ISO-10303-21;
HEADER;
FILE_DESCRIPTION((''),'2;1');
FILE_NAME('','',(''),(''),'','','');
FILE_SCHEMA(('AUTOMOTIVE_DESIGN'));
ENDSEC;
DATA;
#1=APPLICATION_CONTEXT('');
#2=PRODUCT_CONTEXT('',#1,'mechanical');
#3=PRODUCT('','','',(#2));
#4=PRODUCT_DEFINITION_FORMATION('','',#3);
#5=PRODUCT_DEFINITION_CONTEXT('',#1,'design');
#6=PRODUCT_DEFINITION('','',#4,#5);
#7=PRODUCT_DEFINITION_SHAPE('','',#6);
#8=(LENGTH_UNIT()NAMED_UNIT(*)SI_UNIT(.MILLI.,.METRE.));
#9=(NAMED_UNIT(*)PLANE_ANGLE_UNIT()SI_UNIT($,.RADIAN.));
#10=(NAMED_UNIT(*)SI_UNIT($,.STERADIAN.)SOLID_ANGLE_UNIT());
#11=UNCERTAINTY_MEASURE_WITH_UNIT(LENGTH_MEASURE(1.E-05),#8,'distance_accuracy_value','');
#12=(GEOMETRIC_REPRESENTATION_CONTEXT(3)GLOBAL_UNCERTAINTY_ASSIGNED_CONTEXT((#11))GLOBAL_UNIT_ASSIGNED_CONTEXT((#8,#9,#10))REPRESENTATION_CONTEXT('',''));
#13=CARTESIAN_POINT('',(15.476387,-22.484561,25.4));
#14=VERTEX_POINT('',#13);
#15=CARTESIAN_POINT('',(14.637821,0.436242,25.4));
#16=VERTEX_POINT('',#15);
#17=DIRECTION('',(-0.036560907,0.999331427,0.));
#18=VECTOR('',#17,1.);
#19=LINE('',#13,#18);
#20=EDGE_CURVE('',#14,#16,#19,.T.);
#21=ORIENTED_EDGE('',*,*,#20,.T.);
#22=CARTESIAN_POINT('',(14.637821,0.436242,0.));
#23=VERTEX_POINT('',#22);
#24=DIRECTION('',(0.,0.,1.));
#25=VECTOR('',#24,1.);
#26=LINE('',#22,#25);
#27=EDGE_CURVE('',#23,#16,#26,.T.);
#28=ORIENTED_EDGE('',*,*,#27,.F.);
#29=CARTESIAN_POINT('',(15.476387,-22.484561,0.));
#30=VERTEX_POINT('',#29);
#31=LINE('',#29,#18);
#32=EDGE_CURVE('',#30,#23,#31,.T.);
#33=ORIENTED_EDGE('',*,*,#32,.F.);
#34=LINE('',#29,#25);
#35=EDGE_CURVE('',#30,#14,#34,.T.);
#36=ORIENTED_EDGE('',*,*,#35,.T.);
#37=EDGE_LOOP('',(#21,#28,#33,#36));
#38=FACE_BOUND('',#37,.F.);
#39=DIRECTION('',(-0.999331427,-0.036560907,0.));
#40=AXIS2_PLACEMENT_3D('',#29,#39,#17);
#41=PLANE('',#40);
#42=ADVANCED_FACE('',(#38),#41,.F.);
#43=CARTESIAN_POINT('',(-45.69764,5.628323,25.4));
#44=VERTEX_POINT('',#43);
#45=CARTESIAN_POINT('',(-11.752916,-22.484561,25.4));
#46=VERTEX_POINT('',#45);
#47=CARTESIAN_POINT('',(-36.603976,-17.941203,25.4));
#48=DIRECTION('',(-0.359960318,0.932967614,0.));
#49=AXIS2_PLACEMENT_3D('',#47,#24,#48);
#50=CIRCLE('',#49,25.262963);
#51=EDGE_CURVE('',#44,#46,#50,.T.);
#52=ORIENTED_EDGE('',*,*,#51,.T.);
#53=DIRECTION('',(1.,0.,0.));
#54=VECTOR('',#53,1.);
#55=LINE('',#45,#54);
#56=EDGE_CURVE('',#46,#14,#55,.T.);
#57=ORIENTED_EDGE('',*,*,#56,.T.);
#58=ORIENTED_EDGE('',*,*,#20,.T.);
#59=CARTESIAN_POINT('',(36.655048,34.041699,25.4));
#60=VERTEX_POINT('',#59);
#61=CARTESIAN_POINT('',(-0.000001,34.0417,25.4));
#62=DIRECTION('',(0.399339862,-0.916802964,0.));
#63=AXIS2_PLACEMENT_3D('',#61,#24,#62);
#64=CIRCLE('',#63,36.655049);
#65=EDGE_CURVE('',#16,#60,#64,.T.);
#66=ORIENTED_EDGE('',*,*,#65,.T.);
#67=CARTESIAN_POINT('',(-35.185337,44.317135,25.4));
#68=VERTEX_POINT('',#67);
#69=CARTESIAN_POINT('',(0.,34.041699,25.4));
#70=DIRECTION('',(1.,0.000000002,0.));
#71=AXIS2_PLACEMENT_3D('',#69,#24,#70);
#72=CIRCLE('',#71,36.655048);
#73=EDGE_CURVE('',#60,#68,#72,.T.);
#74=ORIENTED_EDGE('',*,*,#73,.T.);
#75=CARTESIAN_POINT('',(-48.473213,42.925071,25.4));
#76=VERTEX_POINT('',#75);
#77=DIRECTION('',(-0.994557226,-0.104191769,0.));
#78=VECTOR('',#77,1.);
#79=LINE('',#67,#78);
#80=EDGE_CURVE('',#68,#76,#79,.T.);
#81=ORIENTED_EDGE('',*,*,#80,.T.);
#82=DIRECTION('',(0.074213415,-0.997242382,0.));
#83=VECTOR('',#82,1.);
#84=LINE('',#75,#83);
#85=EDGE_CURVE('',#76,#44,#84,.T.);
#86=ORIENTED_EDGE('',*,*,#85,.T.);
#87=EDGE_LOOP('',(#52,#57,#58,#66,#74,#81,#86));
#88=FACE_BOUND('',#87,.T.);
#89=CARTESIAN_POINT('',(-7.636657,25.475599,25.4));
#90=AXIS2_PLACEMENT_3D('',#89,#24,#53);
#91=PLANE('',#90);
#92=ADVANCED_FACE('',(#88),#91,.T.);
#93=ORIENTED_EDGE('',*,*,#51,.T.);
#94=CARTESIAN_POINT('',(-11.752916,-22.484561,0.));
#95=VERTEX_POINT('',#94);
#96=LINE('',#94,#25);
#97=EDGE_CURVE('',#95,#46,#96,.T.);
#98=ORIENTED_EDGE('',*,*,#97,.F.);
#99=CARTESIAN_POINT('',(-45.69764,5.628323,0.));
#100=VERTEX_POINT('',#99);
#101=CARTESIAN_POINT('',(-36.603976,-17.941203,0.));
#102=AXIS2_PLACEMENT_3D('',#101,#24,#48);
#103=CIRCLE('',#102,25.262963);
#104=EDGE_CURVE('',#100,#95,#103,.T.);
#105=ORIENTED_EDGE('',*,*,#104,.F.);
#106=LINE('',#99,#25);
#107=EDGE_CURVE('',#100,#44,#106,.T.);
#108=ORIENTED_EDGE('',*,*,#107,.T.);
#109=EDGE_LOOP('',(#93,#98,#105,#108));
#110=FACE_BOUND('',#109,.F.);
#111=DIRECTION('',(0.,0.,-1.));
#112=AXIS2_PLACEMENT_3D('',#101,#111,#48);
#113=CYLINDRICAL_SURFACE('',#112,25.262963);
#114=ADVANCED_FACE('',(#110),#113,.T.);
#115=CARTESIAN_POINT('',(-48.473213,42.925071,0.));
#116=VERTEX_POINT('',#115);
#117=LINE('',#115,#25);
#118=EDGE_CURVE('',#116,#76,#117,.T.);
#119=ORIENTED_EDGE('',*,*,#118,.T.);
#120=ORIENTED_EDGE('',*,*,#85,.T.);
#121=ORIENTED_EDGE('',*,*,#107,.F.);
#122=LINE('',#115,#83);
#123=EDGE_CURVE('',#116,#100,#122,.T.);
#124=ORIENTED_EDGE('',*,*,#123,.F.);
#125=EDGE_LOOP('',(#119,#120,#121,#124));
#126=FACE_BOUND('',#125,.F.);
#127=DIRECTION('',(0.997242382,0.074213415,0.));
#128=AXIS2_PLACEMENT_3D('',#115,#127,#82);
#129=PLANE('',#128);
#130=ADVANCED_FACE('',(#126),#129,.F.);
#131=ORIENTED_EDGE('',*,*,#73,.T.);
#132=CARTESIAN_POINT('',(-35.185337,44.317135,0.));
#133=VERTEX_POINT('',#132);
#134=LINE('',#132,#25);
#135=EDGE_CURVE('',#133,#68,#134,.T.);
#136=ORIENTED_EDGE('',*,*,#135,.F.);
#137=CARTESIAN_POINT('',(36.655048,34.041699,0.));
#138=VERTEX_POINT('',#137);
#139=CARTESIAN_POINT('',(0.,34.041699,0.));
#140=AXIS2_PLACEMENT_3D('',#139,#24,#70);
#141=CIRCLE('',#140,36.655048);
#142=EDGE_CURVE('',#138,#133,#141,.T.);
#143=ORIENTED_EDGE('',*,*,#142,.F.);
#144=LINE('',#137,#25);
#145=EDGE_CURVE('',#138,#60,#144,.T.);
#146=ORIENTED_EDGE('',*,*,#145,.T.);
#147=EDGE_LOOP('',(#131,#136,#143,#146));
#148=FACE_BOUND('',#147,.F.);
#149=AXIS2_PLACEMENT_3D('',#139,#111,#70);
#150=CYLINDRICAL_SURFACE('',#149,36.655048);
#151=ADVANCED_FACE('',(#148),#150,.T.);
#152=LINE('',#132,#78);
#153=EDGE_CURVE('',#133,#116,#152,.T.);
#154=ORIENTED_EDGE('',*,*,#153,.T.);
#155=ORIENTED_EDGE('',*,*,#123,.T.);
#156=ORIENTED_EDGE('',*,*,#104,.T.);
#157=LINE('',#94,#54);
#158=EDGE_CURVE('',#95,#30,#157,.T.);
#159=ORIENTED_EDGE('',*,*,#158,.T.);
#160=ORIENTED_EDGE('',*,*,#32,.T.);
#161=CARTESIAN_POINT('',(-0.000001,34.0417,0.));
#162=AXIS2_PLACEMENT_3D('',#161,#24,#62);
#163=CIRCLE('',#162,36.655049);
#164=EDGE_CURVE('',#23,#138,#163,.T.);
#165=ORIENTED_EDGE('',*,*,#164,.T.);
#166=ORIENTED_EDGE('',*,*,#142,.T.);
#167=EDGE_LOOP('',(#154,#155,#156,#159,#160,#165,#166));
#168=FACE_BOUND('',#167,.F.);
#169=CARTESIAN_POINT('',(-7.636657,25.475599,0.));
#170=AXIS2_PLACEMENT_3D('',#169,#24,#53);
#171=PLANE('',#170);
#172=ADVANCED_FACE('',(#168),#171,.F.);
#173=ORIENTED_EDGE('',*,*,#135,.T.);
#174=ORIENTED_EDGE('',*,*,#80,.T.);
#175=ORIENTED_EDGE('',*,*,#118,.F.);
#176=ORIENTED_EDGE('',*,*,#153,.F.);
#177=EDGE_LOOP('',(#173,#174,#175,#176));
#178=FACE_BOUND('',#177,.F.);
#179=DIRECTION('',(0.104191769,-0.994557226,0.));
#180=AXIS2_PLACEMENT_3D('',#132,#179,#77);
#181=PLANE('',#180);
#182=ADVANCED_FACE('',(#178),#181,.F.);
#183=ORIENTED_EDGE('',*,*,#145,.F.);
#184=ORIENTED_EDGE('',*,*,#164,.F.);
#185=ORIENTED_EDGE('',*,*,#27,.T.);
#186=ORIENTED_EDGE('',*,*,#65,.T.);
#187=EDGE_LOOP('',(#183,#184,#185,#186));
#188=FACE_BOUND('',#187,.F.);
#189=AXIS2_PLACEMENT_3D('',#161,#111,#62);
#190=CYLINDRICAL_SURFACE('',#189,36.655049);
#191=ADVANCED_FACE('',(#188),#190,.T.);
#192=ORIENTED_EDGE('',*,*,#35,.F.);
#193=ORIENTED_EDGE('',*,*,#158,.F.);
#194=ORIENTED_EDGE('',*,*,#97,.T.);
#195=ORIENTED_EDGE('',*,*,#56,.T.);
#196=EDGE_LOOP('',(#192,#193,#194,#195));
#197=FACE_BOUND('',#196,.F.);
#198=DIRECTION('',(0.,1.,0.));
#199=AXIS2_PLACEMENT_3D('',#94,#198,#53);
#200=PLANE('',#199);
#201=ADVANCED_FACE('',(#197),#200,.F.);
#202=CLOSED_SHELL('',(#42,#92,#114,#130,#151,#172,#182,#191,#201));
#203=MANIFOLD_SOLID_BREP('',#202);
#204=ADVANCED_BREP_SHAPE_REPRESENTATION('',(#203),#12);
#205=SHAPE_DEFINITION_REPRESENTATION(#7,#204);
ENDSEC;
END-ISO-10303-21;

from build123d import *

# Parameters (mm, degrees)
F1_DEPTH = 25.4


with BuildPart() as f1:
    # F0 (on Top) → F1 (new body)
    with BuildSketch(Plane.XY):
        with BuildLine():
            Line((12.848321, 49.349234), (-35.185337, 44.317135))
            ThreePointArc((-35.185337, 44.317135), (-24.226706, 6.534259), (14.637821, 0.436242))
            Line((14.637821, 0.436242), (12.848321, 49.349234))
        make_face()
        with BuildLine():
            ThreePointArc((36.655048, 34.041699), (5.190005, 70.327459), (-35.185337, 44.317135))
            Line((-35.185337, 44.317135), (12.848321, 49.349234))
            Line((12.848321, 49.349234), (14.637821, 0.436242))
            ThreePointArc((14.637821, 0.436242), (30.660582, 13.953861), (36.655048, 34.041699))
        make_face()
        with BuildLine():
            Line((-44.286254, -13.337183), (-45.69764, 5.628323))
            ThreePointArc((-45.69764, 5.628323), (-52.717866, -37.397817), (-11.752916, -22.484561))
            Line((-11.752916, -22.484561), (-43.801095, -22.484561))
            Line((-43.801095, -22.484561), (-44.286254, -13.337183))
        make_face()
        with BuildLine():
            ThreePointArc((-11.341014, -17.941203), (-22.312643, 2.890866), (-45.69764, 5.628323))
            Line((-45.69764, 5.628323), (-44.286254, -13.337183))
            Line((-44.286254, -13.337183), (-43.801095, -22.484561))
            Line((-43.801095, -22.484561), (-11.752916, -22.484561))
            ThreePointArc((-11.752916, -22.484561), (-11.4442, -20.222199), (-11.341014, -17.941203))
        make_face()
        with BuildLine():
            Line((-35.185337, 44.317135), (-48.473213, 42.925071))
            Line((-48.473213, 42.925071), (-45.69764, 5.628323))
            ThreePointArc((-45.69764, 5.628323), (-22.312643, 2.890866), (-11.341014, -17.941203))
            ThreePointArc((-11.341014, -17.941203), (-11.4442, -20.222199), (-11.752916, -22.484561))
            Line((-11.752916, -22.484561), (15.476387, -22.484561))
            Line((15.476387, -22.484561), (14.637821, 0.436242))
            ThreePointArc((14.637821, 0.436242), (-24.226706, 6.534259), (-35.185337, 44.317135))
        make_face()
    extrude(amount=F1_DEPTH)


solid = f1.part
